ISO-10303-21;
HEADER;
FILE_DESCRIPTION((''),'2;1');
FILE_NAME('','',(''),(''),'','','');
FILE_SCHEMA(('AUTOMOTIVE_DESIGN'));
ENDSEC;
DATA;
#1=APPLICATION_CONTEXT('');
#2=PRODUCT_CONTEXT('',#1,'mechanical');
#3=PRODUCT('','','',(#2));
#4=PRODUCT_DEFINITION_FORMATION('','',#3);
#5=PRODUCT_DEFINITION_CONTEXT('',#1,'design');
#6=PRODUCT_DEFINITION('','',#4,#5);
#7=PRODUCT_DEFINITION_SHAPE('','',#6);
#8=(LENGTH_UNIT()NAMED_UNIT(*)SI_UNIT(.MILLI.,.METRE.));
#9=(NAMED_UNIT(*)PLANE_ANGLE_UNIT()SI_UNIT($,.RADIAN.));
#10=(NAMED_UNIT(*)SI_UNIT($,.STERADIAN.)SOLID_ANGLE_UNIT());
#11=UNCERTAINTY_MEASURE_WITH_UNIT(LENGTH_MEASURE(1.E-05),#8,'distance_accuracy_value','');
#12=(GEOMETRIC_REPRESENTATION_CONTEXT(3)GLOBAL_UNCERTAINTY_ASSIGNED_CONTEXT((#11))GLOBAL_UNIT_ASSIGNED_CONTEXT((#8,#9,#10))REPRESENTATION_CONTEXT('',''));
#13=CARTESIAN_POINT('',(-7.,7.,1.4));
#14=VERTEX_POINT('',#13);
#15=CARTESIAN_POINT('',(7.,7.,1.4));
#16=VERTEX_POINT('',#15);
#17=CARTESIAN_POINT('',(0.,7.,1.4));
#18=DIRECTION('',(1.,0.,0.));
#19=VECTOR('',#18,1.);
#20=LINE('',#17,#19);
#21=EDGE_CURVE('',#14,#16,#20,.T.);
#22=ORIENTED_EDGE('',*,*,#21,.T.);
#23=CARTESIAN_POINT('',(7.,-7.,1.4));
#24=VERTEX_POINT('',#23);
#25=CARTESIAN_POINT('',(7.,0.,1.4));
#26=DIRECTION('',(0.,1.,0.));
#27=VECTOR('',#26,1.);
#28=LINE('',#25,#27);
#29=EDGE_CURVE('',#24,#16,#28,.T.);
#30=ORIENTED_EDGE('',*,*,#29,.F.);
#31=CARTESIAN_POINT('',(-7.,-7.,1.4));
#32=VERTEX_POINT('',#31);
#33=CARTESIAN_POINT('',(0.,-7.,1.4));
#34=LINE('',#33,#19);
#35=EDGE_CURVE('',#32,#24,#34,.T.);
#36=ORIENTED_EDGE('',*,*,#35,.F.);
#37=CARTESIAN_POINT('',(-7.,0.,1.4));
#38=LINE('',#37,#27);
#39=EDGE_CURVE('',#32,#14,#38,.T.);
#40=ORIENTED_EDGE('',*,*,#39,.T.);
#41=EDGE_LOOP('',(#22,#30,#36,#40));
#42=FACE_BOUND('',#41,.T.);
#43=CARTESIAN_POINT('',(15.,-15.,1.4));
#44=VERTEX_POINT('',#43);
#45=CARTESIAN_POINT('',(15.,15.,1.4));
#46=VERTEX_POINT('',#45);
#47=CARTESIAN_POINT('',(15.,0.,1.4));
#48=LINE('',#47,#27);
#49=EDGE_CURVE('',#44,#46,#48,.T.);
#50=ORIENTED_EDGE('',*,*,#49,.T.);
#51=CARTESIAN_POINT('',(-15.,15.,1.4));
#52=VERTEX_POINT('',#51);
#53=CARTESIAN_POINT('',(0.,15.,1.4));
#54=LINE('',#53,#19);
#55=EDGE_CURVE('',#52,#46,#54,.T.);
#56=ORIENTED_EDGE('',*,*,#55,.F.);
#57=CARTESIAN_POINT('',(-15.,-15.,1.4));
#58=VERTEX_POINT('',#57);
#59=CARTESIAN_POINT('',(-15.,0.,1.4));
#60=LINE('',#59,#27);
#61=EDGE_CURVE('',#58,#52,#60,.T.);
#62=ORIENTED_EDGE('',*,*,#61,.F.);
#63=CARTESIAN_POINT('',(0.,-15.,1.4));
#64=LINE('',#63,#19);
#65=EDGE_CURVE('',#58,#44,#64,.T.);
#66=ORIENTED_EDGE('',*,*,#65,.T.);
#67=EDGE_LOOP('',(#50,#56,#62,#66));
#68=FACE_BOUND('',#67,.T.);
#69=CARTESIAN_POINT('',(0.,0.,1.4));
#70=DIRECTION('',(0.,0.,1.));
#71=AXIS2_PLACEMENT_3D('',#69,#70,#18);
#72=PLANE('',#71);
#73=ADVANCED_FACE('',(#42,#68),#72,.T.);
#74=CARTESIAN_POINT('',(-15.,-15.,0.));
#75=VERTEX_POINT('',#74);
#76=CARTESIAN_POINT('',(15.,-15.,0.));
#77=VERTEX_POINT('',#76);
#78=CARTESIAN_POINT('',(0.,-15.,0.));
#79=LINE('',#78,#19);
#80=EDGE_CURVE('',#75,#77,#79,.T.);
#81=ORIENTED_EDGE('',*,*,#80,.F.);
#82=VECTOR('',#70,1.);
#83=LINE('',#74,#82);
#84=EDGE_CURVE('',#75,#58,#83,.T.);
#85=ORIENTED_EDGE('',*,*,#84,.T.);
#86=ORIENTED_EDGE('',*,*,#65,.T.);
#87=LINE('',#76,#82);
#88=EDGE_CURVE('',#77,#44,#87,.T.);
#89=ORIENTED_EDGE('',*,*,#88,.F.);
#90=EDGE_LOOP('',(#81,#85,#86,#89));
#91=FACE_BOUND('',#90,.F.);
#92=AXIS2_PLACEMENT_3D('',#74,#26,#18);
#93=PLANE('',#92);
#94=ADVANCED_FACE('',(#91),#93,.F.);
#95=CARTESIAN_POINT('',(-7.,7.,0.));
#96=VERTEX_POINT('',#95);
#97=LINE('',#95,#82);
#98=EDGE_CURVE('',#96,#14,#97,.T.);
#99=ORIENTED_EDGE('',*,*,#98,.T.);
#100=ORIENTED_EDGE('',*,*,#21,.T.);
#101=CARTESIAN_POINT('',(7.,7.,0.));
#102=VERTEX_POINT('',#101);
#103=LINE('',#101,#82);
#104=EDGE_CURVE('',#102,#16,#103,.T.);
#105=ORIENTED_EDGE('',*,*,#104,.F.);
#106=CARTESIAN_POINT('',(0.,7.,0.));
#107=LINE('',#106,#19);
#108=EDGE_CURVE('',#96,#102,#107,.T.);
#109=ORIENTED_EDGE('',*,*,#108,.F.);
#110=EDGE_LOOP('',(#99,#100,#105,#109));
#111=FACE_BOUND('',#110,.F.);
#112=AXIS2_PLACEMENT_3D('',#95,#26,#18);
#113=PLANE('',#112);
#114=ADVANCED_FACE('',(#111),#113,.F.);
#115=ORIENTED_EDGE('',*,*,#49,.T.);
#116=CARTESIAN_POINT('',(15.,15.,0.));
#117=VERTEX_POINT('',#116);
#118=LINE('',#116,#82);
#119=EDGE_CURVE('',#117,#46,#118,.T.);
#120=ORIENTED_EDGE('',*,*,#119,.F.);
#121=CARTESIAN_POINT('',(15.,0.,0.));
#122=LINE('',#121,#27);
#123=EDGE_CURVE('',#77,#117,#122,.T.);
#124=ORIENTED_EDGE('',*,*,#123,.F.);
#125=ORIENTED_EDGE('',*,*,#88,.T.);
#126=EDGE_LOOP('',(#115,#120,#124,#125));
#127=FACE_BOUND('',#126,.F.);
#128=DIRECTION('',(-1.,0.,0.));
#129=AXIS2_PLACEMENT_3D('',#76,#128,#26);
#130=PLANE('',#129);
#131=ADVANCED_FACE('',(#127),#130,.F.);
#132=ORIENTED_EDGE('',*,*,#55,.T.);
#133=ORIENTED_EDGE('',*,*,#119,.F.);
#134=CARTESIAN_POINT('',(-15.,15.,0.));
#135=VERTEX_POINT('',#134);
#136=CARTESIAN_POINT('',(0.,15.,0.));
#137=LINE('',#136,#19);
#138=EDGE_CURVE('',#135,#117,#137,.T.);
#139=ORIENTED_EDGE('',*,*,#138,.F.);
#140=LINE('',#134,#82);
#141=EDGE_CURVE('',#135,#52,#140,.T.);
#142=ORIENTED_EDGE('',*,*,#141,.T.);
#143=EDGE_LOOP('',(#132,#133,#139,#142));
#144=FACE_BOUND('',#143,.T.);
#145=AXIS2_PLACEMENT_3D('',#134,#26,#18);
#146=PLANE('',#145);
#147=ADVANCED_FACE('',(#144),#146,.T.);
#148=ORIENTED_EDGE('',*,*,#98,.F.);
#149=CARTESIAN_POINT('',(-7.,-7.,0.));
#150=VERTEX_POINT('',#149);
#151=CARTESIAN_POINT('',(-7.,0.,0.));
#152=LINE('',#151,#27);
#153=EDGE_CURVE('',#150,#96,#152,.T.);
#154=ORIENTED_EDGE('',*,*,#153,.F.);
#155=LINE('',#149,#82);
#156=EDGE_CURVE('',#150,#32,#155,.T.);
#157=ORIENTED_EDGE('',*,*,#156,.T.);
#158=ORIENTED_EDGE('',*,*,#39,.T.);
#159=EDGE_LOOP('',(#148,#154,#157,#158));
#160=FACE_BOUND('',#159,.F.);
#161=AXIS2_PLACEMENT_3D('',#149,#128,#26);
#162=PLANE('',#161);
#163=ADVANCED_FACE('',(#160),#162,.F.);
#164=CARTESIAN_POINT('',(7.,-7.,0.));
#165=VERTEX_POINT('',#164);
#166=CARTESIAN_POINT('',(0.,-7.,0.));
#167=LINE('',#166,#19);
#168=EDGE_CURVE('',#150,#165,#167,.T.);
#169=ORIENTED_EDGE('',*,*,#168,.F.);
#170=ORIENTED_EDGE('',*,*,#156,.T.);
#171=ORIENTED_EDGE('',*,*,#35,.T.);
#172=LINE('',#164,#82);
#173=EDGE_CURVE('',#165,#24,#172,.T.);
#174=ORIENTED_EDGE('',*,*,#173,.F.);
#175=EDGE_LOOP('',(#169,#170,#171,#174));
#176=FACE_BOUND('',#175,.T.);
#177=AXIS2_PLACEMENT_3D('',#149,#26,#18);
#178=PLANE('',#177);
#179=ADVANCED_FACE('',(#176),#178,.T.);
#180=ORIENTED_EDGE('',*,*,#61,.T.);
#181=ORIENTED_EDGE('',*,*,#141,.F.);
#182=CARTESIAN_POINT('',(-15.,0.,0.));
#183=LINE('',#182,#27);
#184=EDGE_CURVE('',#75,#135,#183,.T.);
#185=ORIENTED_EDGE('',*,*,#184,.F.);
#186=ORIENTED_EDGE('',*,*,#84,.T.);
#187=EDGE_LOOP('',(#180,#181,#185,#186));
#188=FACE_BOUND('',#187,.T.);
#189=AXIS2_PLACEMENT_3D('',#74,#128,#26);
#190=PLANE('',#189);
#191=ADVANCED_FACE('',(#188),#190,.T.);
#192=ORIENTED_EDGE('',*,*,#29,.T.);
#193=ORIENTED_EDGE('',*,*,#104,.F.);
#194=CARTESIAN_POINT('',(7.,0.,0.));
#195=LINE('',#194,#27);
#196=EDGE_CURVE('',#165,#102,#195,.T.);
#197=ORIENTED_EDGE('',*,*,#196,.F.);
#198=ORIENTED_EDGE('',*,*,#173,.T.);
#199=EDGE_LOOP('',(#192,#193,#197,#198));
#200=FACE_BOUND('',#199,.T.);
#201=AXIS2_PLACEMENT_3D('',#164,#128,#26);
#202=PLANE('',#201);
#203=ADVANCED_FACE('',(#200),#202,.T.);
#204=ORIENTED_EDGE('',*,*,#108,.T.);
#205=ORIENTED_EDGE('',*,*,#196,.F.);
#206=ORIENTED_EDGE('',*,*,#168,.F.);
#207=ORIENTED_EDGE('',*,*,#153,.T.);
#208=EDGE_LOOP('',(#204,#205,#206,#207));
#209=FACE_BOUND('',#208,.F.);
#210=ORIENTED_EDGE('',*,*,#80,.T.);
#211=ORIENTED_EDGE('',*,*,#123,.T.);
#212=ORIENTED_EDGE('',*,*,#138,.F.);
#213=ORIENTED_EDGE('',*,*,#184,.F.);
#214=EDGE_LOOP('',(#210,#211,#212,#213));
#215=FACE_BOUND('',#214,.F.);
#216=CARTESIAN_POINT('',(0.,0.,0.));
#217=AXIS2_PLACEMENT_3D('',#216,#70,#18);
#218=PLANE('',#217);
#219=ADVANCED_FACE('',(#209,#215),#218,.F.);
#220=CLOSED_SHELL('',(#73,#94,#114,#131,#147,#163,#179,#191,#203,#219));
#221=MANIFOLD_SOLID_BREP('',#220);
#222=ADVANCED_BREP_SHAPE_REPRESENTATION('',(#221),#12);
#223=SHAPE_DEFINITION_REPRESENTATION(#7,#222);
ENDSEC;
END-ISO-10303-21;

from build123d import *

# Parameters (mm, degrees)
F0_W     = 30
F0_H     = 30
F0_W_2   = 14
F0_H_2   = 14
F1_DEPTH = 1.4


with BuildPart() as f1:
    # F0 (on Top) → F1 (new body)
    with BuildSketch(Plane.XY):
        Rectangle(F0_W, F0_H)
        Rectangle(F0_W_2, F0_H_2, mode=Mode.SUBTRACT)
    extrude(amount=F1_DEPTH)


solid = f1.part
